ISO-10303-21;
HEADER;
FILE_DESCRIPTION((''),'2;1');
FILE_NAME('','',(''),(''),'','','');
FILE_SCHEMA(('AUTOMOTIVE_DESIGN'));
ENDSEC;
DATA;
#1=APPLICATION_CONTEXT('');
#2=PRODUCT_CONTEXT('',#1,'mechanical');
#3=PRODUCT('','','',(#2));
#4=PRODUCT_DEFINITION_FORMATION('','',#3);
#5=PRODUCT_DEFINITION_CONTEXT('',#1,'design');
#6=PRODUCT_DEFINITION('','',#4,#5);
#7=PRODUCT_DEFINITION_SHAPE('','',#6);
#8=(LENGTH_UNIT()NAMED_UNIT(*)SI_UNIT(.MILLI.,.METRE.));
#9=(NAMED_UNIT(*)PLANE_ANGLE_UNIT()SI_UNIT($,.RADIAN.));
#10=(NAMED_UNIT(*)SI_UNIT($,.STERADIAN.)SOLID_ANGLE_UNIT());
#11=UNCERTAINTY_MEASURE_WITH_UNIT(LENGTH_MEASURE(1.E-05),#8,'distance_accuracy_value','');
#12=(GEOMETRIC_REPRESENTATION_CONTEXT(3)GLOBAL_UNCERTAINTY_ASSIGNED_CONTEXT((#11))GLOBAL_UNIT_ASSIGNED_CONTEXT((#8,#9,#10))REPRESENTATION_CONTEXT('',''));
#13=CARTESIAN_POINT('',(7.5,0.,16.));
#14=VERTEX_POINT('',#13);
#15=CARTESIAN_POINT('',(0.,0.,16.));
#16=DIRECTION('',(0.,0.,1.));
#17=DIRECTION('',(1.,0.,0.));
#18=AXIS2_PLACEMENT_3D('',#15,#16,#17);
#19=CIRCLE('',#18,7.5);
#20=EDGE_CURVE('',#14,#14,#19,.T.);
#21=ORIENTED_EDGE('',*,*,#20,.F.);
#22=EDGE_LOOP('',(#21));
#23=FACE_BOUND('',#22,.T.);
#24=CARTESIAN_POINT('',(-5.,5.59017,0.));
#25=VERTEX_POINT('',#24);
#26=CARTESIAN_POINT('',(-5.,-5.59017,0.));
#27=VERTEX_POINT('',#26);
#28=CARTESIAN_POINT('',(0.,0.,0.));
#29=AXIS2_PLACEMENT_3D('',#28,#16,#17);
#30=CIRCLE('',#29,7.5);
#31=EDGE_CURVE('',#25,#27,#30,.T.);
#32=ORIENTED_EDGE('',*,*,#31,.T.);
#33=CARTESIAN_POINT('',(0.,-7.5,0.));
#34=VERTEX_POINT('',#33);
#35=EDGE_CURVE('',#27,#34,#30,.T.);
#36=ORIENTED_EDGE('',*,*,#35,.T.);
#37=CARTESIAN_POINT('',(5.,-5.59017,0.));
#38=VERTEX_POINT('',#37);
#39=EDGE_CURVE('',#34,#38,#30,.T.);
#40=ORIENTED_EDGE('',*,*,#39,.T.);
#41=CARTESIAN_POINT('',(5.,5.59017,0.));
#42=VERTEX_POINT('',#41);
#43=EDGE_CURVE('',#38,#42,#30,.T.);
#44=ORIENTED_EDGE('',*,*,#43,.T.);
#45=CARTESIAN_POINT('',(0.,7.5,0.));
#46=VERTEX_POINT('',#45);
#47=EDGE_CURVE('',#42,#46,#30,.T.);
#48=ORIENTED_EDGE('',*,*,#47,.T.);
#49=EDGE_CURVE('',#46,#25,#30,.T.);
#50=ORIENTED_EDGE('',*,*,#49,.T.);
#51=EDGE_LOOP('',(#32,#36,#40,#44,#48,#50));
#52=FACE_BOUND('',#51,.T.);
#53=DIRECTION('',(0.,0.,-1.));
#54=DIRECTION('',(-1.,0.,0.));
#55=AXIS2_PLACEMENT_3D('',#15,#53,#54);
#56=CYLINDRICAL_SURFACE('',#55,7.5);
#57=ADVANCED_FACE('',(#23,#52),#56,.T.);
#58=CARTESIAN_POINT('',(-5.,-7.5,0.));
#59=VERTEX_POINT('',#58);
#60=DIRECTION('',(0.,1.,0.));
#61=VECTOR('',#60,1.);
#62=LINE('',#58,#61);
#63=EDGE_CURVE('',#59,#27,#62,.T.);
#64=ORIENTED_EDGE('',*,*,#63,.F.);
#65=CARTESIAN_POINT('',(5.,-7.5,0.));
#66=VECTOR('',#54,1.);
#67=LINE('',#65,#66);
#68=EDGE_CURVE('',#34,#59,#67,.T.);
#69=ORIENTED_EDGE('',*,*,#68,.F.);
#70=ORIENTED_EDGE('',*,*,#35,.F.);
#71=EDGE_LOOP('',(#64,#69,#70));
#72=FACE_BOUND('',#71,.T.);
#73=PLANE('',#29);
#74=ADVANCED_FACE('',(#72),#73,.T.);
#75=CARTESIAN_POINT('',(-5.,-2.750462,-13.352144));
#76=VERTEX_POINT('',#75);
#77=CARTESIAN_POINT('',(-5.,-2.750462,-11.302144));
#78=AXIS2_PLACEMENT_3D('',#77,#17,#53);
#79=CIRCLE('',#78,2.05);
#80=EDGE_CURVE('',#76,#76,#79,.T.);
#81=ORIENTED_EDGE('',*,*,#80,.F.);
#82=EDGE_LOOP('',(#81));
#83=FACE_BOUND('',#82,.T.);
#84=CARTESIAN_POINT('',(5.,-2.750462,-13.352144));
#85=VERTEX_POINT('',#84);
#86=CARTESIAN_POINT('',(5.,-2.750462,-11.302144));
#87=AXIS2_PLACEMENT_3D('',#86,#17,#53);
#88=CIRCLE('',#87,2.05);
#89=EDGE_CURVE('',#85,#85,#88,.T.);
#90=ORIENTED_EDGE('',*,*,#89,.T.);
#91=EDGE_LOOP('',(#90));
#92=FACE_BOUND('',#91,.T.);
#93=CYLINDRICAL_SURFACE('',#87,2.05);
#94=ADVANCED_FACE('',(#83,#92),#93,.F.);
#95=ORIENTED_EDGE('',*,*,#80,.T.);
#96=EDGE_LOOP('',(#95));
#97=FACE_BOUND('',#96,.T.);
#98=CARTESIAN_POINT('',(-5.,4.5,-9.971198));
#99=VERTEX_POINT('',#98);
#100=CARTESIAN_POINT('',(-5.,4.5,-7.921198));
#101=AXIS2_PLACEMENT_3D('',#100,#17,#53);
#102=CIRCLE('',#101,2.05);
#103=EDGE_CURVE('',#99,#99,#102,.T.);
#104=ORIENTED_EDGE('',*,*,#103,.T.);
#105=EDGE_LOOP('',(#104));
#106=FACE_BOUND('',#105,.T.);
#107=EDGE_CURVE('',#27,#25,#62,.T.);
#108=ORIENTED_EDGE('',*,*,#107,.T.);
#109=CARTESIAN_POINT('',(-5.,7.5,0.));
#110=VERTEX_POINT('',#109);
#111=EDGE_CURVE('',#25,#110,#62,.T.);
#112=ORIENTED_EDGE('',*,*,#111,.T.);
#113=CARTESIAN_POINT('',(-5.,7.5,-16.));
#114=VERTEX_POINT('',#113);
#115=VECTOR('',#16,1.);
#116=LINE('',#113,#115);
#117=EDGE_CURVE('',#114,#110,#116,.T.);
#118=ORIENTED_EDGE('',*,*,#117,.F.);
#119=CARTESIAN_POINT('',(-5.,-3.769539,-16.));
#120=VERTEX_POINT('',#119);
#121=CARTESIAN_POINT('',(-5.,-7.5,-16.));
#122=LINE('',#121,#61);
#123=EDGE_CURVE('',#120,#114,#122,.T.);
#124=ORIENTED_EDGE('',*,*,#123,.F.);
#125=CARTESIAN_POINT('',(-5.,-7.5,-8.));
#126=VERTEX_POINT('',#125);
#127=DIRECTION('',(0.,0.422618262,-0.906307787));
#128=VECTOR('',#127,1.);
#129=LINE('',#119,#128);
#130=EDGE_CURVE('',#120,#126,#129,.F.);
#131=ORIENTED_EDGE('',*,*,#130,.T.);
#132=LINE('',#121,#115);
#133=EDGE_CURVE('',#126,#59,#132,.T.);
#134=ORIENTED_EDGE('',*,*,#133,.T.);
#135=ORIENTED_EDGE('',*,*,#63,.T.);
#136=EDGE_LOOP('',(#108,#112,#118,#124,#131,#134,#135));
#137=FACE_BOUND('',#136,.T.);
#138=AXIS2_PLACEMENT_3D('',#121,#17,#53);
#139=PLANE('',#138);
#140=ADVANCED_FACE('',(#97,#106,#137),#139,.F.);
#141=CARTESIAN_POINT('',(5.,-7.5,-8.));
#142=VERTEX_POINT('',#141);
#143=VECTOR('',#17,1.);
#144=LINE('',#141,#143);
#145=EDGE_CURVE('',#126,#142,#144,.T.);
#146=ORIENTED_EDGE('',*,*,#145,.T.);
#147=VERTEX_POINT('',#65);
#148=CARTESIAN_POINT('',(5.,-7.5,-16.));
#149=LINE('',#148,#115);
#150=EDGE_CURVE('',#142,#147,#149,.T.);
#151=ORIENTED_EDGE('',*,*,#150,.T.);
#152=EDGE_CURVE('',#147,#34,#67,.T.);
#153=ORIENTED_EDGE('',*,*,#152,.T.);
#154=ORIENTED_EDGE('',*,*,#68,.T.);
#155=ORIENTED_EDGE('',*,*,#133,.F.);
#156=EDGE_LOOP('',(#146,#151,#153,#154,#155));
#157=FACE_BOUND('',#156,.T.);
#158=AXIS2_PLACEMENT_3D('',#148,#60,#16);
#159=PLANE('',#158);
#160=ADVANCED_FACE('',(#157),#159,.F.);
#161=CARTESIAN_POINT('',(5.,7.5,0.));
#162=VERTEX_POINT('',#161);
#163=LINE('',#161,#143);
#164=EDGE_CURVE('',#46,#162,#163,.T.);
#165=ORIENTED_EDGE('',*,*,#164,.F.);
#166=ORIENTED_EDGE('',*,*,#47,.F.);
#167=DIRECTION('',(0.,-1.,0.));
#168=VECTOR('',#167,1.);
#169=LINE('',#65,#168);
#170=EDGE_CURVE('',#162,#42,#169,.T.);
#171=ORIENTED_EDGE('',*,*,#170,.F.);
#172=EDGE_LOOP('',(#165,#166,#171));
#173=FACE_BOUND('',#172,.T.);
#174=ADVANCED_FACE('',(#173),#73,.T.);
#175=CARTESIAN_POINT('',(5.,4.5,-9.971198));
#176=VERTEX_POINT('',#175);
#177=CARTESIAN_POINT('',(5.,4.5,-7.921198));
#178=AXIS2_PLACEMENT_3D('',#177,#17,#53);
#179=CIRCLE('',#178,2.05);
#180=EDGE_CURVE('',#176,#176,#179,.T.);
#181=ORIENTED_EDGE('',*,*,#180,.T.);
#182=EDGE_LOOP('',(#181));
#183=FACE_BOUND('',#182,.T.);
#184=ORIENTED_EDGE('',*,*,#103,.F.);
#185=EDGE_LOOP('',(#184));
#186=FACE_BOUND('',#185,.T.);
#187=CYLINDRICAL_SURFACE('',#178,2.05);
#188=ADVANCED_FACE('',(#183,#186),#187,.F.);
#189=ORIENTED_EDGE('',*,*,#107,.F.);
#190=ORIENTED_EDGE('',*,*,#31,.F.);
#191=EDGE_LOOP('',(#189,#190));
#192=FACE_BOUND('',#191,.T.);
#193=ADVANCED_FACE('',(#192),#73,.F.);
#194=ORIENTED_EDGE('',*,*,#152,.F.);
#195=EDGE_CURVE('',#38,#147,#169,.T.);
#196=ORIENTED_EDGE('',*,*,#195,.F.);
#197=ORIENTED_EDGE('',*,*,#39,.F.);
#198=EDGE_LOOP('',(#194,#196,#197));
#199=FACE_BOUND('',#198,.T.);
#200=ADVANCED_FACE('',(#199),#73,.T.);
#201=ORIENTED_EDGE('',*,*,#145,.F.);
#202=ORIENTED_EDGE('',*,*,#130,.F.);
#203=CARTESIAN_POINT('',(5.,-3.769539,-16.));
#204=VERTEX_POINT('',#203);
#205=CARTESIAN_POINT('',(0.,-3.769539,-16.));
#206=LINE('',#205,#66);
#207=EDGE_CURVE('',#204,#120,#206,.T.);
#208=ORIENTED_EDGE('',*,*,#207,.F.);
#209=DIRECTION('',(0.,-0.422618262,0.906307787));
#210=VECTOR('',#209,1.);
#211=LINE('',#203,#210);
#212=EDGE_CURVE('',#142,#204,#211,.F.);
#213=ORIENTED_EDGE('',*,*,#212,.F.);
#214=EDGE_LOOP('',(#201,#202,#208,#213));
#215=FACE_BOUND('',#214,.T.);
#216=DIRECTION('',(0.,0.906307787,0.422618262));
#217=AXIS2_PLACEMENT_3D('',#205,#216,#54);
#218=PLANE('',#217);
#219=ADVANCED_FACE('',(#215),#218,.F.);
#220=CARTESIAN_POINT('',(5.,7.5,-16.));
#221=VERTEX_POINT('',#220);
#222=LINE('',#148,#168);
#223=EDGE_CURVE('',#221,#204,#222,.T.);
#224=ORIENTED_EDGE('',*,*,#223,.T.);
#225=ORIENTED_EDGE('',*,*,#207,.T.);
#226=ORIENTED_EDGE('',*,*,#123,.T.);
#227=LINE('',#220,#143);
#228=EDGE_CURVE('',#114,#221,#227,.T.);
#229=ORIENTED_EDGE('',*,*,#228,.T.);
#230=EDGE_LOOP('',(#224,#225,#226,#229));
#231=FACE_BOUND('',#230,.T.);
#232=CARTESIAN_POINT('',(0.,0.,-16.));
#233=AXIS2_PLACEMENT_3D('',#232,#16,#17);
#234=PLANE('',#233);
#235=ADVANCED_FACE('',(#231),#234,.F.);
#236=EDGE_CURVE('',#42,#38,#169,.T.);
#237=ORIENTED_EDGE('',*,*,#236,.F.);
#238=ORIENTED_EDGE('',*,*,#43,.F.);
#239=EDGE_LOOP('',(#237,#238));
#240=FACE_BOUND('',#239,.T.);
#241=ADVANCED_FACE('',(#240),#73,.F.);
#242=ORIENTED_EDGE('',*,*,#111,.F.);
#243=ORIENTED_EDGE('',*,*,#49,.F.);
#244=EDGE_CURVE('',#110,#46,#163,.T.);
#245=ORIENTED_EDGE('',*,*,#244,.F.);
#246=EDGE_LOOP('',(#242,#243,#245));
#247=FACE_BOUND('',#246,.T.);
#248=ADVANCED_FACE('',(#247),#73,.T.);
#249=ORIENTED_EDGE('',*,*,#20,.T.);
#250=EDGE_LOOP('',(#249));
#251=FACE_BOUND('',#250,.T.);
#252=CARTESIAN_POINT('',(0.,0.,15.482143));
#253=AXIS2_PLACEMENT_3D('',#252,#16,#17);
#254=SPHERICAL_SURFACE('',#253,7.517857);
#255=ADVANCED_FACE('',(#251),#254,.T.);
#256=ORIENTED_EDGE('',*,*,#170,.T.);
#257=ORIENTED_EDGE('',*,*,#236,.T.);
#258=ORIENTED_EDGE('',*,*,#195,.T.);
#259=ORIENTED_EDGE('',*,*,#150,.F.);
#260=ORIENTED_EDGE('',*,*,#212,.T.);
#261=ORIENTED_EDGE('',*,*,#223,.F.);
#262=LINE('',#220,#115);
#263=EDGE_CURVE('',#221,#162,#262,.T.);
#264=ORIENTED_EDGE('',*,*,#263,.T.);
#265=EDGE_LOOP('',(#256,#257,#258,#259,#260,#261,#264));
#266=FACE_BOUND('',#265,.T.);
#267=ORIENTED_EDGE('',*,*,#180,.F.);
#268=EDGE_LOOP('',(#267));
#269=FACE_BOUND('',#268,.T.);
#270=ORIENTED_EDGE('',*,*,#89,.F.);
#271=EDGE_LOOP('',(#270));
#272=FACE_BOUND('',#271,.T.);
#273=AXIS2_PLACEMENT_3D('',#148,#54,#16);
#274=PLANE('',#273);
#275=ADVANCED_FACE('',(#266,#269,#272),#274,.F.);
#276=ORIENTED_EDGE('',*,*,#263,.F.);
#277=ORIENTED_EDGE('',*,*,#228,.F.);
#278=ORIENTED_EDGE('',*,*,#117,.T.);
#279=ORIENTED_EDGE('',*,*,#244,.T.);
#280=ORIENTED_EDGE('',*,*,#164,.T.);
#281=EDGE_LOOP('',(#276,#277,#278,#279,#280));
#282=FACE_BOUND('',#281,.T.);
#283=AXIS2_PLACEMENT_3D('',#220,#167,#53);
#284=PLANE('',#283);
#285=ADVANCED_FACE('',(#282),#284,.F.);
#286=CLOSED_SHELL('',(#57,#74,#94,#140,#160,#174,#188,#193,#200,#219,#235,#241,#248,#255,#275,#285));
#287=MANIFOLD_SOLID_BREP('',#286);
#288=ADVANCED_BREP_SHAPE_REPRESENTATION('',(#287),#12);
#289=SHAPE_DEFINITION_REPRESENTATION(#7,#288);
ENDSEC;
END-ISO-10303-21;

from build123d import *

# Parameters (mm, degrees)
SKETCH_2_R         = 7.5
EXTRUDE_1_DEPTH    = 16
DOME_1_FACE_RADIUS = 7.5
DOME_1_HEIGHT      = 7
SKETCH_3_W         = 10
SKETCH_3_H         = 15
EXTRUDE_2_DEPTH    = 16
CHAMFER_1_SIZE     = 8
CHAMFER_1_SIZE2    = 3.730461265
HOLE_WIZARD_M4_1_D = 4.1


with BuildPart() as part:
    # 草图2 → 凸台-拉伸1 (new body)
    with BuildSketch(Plane.XY):
        Circle(SKETCH_2_R)
    extrude(amount=EXTRUDE_1_DEPTH)

    # 圆顶1: a dome of height H over a round flat face of radius A is a cap of a sphere of radius (A * A + H * H) / (2 * H)
    dome_1_r = (DOME_1_FACE_RADIUS * DOME_1_FACE_RADIUS + DOME_1_HEIGHT * DOME_1_HEIGHT) / (2 * DOME_1_HEIGHT)
    dome_1_base = Plane((0, 0, 16), z_dir=(0, 0, 1))
    with Locations(dome_1_base.offset(DOME_1_HEIGHT - dome_1_r)):
        dome_1_ball = Sphere(dome_1_r, mode=Mode.PRIVATE)
    add(split(dome_1_ball, bisect_by=dome_1_base, keep=Keep.TOP, mode=Mode.PRIVATE))

    # 草图3 → 凸台-拉伸2 (add)
    with BuildSketch(Plane(origin=(0, 0, 0), x_dir=(-1, 0, 0), z_dir=(0, 0, -1))):
        Rectangle(SKETCH_3_W, SKETCH_3_H)
    extrude(amount=EXTRUDE_2_DEPTH)

    # 倒角1
    chamfer_1_edges = [part.edges().sort_by_distance(p)[0] for p in [
        (0, -7.5, -16),
    ]]
    chamfer_1_side = [part.faces().sort_by_distance(p)[0] for p in [
        (0, -7.5, -8),
    ]]
    chamfer(chamfer_1_edges, length=CHAMFER_1_SIZE, length2=CHAMFER_1_SIZE2, reference=chamfer_1_side[0])

    # M4 间隙孔1 (through all)
    with Locations(Plane(origin=(5, 0, 0), x_dir=(0, 0, -1), z_dir=(1, 0, 0))):
        with Locations((7.921197697, 4.5), (11.302143791, -2.750462296)):
            Hole(HOLE_WIZARD_M4_1_D / 2)


solid = part.part
